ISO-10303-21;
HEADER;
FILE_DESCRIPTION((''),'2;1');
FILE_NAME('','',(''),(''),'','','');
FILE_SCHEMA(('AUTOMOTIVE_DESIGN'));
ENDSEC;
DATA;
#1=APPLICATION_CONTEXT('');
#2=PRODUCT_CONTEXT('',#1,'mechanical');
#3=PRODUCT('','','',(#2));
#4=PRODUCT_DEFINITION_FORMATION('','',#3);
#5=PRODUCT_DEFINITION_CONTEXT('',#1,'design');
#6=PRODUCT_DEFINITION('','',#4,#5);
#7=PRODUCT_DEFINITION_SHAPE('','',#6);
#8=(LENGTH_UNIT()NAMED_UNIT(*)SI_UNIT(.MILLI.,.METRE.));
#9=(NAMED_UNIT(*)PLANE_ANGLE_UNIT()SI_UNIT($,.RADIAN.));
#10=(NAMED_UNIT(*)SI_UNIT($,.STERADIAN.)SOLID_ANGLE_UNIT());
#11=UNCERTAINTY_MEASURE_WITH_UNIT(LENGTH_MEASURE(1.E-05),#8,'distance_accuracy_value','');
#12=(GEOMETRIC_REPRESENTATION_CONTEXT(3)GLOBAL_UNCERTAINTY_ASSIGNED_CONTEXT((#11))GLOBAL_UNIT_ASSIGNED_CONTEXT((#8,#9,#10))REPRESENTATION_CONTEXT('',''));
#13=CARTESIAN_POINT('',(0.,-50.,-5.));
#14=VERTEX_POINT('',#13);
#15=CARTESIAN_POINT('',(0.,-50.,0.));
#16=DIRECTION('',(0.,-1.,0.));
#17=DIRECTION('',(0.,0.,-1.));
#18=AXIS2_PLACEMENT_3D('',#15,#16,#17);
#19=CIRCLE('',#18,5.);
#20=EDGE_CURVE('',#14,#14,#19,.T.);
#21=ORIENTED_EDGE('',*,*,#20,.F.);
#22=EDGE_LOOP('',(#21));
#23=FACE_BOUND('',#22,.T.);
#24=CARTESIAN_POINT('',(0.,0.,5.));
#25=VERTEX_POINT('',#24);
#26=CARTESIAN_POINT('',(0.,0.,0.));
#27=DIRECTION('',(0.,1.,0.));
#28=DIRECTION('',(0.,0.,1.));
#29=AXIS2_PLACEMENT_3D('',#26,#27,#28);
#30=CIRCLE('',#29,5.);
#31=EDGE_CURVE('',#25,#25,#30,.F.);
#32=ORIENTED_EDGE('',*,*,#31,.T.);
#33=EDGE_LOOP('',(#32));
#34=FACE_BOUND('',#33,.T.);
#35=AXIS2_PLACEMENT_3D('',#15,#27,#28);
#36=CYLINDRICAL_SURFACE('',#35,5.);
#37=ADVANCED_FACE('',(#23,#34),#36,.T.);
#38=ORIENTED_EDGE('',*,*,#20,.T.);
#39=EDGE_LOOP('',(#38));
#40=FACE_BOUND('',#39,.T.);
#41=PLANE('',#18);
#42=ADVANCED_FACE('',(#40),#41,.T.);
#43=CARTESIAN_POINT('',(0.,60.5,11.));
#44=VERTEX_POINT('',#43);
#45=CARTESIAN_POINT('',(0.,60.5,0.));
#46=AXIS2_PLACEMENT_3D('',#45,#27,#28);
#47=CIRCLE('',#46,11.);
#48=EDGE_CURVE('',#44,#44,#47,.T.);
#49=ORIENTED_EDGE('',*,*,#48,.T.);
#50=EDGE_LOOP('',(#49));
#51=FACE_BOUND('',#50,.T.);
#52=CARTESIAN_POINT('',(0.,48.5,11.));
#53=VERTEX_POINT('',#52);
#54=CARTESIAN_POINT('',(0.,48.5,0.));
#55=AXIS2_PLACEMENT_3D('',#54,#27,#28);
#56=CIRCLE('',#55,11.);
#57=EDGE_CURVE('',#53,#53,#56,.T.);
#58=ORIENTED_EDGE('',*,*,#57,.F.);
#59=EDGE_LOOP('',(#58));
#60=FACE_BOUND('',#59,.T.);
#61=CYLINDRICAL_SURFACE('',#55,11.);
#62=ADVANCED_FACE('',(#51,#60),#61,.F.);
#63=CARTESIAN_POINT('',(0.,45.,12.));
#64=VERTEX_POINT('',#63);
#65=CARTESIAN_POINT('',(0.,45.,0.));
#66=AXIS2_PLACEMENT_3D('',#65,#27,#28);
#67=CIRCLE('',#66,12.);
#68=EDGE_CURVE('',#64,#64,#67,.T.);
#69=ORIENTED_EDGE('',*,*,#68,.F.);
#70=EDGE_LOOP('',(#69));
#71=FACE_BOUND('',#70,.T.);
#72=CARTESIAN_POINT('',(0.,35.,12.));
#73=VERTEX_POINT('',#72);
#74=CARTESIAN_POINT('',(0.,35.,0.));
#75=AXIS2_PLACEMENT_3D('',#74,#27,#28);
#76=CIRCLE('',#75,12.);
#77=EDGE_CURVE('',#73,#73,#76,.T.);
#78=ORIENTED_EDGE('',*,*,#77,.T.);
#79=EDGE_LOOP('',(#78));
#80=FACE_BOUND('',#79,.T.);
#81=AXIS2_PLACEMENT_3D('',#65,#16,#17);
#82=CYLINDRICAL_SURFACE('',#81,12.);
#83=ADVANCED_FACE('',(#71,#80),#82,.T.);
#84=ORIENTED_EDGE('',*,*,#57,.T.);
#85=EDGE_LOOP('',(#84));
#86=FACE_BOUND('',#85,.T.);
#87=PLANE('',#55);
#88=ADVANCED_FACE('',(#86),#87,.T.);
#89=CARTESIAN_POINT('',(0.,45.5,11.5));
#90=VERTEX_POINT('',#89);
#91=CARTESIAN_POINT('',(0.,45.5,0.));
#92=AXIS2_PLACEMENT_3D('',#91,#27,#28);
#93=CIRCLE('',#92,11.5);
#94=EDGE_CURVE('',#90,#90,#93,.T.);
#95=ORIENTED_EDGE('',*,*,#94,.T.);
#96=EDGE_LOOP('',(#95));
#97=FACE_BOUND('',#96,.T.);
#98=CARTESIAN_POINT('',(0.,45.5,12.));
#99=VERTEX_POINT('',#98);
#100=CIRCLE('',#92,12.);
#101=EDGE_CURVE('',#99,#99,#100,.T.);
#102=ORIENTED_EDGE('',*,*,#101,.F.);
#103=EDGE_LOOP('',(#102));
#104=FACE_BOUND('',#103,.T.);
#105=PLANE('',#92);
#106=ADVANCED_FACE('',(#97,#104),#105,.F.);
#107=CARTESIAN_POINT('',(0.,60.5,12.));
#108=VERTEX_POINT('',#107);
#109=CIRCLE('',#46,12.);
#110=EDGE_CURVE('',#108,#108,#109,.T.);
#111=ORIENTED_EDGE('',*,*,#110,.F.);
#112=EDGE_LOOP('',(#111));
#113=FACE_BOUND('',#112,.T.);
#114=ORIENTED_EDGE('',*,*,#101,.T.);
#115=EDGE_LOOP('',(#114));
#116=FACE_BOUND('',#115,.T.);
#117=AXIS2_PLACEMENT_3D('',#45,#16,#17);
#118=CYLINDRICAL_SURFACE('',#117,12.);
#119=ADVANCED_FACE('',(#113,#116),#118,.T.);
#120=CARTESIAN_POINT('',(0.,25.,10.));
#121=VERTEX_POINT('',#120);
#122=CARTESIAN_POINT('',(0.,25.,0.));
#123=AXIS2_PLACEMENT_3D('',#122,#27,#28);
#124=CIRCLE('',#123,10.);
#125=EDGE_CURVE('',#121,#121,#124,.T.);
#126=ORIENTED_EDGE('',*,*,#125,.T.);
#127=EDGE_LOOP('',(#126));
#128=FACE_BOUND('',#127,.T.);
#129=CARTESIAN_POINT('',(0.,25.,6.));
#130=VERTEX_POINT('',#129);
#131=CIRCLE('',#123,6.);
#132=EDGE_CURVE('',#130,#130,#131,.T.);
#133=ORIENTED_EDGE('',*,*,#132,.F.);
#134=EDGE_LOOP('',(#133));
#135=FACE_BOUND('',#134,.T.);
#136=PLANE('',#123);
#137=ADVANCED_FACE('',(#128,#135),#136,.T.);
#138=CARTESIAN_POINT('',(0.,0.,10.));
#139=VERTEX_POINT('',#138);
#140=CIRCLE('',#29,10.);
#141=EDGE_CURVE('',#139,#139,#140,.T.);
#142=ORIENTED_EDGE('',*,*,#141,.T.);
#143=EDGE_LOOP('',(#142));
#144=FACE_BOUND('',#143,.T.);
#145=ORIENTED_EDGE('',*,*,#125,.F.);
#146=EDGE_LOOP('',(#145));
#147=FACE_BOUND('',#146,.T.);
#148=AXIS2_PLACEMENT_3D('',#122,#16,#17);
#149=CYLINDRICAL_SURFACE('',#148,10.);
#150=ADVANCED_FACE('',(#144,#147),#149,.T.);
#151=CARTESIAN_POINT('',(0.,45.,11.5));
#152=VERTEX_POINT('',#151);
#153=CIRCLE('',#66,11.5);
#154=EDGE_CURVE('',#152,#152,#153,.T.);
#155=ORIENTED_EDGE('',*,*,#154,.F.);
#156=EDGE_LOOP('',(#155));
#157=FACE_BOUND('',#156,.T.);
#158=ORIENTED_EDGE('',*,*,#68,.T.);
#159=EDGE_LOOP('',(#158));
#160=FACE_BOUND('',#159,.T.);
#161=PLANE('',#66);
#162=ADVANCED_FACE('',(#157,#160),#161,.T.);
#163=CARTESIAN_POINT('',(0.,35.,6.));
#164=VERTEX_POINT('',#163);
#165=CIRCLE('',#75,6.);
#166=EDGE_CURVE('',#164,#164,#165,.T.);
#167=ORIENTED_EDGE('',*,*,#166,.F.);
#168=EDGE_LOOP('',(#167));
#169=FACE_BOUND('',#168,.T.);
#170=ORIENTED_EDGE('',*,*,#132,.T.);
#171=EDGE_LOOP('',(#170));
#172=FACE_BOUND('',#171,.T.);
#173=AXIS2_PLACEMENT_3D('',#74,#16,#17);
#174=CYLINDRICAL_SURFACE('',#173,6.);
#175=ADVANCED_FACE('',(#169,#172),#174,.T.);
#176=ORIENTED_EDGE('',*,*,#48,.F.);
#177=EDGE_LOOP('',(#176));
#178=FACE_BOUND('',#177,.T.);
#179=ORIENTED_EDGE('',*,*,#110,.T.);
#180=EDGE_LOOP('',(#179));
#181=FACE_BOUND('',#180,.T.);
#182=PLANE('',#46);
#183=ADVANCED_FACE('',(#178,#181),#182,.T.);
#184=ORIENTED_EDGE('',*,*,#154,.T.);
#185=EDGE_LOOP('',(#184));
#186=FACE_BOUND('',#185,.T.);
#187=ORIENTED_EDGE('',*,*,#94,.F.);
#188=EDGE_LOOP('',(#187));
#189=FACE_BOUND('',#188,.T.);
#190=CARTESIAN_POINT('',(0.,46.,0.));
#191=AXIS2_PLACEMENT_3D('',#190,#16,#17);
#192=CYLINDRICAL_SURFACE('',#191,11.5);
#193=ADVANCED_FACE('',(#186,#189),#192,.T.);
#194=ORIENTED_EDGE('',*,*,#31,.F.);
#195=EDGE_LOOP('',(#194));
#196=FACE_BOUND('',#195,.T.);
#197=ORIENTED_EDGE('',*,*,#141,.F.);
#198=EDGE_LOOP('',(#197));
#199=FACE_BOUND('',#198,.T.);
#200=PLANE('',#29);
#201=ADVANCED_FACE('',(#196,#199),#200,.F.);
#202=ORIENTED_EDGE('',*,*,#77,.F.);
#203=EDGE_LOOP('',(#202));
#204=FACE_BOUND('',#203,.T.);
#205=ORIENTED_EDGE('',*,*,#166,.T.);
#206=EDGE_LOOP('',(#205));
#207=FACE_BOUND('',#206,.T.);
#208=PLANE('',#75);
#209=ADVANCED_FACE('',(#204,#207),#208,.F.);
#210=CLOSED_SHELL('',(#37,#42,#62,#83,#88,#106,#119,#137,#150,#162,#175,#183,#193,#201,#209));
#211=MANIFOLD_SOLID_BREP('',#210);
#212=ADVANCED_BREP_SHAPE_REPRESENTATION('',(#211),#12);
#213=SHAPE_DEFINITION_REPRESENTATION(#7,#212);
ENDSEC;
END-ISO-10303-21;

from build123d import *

# Parameters (mm, degrees)
SKETCH_1_R          = 10
EXTRUDE_1_DEPTH     = 25
SKETCH_2_R          = 5
EXTRUDE_2_DEPTH     = 50
SKETCH_3_R          = 6
EXTRUDE_3_DEPTH     = 10
SKETCH_4_R          = 12
EXTRUDE_4_DEPTH     = 10
EXTRUDE_START       = 0.5
SKETCH_5_R          = 12
EXTRUDE_5_DEPTH     = 15
SKETCH_6_R          = 11.5
EXTRUDE_6_DEPTH     = 1
SKETCH_7_R          = 11
CUT_EXTRUDE_1_DEPTH = 12


with BuildPart() as part:
    # 草图1 → 凸台-拉伸1 (new body)
    with BuildSketch(Plane(origin=(0, 0, 0), x_dir=(1, 0, 0), z_dir=(0, 1, 0))):
        Circle(SKETCH_1_R)
    extrude(amount=EXTRUDE_1_DEPTH)

    # 草图2 → 凸台-拉伸2 (add)
    with BuildSketch(Plane.XZ):
        Circle(SKETCH_2_R)
    extrude(amount=EXTRUDE_2_DEPTH)

    # 草图3 → 凸台-拉伸3 (add)
    with BuildSketch(Plane(origin=(0, 25, 0), x_dir=(1, 0, 0), z_dir=(0, 1, 0))):
        Circle(SKETCH_3_R)
    extrude(amount=EXTRUDE_3_DEPTH)

    # 草图4 → 凸台-拉伸4 (add)
    with BuildSketch(Plane(origin=(0, 35, 0), x_dir=(1, 0, 0), z_dir=(0, 1, 0))):
        Circle(SKETCH_4_R)
    extrude(amount=EXTRUDE_4_DEPTH)



with BuildPart() as body_2:
    # 草图5 → 凸台-拉伸5 (new body)
    with BuildSketch(Plane(origin=(0, 45, 0), x_dir=(1, 0, 0), z_dir=(0, 1, 0)).offset(EXTRUDE_START)):
        Circle(SKETCH_5_R)
    extrude(amount=EXTRUDE_5_DEPTH)


with BuildPart() as part_1:
    add(part.part)

    add(body_2.part)  # 凸台-拉伸6 merges body 2
    # 草图6 → 凸台-拉伸6 (add)
    with BuildSketch(Plane(origin=(0, 45, 0), x_dir=(1, 0, 0), z_dir=(0, 1, 0))):
        Circle(SKETCH_6_R)
    extrude(amount=EXTRUDE_6_DEPTH)

    # 草图7 → 切除-拉伸1 (cut)
    with BuildSketch(Plane(origin=(0, 60.5, 0), x_dir=(1, 0, 0), z_dir=(0, 1, 0))):
        Circle(SKETCH_7_R)
    extrude(amount=-CUT_EXTRUDE_1_DEPTH, mode=Mode.SUBTRACT)


solid = part_1.part
